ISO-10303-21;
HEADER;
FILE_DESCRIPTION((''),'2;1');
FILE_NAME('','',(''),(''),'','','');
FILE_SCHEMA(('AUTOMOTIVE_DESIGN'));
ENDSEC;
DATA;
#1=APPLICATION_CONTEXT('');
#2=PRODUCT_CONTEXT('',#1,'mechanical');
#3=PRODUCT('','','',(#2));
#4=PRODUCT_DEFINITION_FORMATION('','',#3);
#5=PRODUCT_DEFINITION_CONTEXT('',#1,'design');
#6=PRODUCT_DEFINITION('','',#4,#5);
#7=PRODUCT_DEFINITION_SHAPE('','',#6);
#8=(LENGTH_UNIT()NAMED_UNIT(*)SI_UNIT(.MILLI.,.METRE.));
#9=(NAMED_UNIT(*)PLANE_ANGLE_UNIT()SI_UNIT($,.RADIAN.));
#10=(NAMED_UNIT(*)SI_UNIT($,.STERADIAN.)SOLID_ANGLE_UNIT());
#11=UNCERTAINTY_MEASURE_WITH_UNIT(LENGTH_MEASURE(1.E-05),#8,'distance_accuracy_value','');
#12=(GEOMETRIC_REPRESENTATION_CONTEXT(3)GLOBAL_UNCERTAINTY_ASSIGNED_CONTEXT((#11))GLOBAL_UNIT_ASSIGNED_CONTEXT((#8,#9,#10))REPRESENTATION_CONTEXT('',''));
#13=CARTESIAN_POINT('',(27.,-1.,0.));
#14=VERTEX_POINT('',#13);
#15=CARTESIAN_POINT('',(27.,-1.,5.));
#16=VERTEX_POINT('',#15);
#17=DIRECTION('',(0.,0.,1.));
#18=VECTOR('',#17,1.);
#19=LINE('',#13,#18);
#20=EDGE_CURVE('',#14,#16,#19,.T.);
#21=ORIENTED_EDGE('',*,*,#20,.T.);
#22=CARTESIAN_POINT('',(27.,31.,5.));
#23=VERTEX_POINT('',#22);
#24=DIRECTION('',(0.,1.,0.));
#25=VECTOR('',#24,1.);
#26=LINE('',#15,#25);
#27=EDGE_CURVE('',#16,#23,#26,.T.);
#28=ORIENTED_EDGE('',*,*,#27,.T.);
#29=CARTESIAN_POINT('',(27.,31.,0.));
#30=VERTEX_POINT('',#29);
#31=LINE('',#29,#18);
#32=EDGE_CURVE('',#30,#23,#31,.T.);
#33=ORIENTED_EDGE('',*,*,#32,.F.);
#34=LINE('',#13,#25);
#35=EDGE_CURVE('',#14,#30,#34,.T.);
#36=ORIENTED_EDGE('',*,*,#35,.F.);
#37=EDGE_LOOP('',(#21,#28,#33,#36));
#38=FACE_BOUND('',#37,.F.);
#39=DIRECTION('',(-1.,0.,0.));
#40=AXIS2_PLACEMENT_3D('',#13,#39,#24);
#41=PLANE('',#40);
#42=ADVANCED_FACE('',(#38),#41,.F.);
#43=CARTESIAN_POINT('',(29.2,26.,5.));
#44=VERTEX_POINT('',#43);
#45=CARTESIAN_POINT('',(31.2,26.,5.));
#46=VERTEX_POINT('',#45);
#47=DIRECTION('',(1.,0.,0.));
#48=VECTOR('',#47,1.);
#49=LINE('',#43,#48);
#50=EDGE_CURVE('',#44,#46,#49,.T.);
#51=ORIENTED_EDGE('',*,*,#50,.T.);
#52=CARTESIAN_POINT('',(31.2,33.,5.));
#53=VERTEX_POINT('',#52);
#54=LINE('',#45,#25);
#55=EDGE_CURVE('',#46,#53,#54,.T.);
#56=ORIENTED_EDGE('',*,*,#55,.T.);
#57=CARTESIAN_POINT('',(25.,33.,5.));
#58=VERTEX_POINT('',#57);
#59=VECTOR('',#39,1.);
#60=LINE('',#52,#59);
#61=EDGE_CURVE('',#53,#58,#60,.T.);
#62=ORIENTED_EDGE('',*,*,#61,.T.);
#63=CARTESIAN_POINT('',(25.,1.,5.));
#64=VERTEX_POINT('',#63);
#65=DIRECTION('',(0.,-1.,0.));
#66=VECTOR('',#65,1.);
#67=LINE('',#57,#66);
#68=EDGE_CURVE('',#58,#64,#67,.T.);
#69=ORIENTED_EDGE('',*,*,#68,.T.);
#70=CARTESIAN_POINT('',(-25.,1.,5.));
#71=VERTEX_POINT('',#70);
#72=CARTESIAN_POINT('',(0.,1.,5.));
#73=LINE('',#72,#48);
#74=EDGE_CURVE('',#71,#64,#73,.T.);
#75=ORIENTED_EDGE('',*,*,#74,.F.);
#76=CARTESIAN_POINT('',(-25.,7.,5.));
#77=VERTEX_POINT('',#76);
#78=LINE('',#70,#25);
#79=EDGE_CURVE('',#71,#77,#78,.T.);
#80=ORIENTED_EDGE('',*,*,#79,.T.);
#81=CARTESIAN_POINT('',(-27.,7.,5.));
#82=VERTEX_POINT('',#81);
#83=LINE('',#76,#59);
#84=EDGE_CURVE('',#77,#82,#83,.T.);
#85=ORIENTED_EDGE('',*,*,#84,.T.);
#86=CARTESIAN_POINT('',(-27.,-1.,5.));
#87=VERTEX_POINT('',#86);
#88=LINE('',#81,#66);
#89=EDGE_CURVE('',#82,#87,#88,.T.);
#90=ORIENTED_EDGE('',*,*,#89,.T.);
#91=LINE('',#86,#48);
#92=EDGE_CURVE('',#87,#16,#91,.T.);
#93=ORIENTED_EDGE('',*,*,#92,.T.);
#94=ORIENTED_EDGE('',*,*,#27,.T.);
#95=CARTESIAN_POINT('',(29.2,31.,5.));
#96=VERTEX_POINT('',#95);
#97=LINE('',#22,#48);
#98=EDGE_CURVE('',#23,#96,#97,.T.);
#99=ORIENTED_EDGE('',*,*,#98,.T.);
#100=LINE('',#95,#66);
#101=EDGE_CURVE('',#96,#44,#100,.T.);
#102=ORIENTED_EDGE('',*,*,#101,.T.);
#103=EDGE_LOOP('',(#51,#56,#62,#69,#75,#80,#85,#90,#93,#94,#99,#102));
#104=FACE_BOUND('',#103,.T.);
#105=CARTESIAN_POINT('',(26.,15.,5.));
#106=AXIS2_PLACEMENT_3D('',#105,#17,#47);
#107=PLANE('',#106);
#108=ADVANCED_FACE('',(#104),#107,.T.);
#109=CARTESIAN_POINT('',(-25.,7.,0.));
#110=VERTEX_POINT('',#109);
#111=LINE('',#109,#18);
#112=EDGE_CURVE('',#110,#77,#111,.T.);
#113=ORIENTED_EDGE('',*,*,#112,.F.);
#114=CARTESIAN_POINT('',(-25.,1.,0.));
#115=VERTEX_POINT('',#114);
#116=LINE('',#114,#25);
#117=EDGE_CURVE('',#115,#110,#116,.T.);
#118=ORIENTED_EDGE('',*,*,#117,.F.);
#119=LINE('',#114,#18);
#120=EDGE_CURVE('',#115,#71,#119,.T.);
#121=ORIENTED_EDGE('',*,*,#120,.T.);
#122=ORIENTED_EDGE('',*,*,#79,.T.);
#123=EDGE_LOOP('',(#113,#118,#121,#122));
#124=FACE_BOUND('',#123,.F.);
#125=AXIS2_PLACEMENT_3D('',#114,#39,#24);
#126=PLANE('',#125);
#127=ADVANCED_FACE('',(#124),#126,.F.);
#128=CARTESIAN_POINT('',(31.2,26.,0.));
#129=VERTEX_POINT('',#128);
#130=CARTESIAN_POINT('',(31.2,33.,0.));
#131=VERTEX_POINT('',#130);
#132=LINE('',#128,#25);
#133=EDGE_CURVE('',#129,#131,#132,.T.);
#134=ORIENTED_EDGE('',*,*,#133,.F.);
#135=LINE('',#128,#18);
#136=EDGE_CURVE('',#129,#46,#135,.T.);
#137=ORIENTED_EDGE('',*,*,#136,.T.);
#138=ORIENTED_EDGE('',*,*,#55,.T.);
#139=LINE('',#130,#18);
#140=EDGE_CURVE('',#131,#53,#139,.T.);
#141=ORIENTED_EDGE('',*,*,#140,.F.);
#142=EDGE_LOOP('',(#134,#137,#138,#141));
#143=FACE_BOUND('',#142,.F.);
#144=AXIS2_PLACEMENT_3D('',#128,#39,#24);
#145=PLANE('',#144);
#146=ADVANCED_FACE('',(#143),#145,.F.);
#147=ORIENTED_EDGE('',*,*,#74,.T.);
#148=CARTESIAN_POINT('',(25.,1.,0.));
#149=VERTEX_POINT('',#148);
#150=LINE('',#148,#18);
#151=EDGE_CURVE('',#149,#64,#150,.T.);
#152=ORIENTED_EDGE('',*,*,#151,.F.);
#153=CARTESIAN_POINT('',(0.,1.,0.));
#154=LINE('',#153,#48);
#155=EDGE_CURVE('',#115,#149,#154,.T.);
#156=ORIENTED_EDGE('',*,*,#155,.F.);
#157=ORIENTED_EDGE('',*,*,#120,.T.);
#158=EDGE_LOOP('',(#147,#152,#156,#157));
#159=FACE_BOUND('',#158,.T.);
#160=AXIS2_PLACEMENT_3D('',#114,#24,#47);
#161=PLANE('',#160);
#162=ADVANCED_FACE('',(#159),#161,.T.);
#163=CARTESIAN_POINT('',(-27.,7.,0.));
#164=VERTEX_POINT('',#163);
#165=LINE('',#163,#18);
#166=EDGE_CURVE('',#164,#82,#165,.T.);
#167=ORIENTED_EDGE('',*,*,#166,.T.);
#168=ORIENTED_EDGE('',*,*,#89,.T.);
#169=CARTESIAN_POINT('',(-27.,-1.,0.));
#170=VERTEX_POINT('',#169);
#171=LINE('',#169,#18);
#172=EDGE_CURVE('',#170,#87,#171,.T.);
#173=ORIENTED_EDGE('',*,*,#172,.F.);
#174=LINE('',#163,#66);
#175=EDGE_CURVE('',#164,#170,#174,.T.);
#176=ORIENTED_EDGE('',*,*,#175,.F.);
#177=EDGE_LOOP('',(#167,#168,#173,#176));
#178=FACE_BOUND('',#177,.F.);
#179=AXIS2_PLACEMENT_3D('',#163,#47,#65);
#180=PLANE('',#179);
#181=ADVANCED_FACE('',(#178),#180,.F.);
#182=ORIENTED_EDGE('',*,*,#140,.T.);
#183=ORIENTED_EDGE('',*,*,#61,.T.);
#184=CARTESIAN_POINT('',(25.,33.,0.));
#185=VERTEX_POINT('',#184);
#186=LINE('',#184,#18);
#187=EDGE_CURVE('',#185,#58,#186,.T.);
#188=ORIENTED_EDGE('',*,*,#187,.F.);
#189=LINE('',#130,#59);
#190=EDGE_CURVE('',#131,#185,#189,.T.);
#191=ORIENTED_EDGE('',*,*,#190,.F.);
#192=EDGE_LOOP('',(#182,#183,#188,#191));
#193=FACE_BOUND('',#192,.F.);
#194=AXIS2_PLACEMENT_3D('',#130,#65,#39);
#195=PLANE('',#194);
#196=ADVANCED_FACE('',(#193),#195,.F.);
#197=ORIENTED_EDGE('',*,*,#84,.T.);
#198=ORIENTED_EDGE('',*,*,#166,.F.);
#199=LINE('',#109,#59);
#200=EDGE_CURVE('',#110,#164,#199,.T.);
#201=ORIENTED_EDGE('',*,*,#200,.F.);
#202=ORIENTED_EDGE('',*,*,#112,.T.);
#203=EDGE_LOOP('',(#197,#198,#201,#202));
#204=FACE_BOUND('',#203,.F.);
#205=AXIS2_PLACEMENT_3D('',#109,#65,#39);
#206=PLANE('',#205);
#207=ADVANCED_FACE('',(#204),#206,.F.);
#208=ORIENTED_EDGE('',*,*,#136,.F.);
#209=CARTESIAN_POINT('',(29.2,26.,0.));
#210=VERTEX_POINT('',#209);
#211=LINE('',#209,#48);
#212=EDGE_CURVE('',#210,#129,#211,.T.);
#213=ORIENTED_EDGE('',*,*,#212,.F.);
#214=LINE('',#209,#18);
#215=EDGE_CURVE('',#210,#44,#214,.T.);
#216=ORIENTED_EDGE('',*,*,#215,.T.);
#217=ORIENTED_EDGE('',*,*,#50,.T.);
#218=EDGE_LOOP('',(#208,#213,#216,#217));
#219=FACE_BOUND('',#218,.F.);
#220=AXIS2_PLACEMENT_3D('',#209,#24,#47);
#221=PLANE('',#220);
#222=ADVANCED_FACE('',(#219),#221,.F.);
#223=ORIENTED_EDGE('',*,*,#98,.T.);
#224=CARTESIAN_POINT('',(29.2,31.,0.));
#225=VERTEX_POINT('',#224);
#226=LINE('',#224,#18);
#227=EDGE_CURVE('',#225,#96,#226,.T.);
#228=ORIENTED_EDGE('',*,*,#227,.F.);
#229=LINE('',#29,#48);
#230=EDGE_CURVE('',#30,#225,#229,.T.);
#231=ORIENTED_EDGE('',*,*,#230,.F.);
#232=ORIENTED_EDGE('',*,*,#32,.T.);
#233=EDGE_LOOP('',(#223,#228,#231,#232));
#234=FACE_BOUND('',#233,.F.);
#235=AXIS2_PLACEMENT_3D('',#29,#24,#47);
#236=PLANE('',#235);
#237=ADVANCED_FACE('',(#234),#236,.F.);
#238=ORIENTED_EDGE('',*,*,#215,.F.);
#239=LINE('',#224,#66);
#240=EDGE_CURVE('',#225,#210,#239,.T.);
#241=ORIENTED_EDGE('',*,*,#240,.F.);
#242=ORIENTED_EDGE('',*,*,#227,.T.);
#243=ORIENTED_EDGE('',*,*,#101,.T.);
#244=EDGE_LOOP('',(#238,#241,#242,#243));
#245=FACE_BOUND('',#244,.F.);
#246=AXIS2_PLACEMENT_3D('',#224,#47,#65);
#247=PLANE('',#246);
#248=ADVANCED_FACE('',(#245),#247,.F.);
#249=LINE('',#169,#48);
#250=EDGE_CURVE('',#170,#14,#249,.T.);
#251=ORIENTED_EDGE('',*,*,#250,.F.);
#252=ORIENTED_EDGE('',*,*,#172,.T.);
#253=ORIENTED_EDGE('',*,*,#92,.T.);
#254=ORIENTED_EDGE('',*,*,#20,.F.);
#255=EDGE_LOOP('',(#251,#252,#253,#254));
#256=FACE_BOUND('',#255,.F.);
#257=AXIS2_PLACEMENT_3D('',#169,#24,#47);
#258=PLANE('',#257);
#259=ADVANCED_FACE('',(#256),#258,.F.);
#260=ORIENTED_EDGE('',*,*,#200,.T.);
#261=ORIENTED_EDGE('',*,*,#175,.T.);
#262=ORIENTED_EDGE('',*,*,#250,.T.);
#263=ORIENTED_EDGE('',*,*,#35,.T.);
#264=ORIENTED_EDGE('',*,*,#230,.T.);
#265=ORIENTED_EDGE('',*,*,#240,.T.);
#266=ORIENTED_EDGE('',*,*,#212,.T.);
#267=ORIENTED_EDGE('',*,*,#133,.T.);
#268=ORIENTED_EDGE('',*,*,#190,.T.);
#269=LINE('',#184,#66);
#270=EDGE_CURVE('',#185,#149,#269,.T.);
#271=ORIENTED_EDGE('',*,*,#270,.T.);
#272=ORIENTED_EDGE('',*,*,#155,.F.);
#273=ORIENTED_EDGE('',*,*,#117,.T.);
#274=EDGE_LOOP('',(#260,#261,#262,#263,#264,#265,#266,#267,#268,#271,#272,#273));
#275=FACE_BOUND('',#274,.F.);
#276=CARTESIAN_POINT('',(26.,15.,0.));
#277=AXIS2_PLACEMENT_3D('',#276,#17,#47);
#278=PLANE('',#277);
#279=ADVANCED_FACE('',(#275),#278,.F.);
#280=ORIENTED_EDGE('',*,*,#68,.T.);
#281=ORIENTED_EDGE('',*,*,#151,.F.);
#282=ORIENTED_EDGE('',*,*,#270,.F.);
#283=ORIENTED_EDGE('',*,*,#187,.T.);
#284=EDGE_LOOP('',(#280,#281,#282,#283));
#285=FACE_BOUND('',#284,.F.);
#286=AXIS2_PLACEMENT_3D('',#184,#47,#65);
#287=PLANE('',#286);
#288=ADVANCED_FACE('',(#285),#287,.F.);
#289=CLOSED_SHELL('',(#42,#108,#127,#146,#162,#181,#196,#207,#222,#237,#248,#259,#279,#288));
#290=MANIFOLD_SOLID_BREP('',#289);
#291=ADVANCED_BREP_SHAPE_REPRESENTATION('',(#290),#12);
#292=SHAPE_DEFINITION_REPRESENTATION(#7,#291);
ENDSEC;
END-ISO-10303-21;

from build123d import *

# Parameters (mm, degrees)
F0_W     = 50
F0_H     = 2
F1_DEPTH = 5


with BuildPart() as f1:
    # F0 (on Top) → F1 (new body)
    with BuildSketch(Plane.XY):
        Polygon((25, 1), (25, -1), (27, -1), (27, 31), (25, 31), align=None)
        Rectangle(F0_W, F0_H)
        Polygon((-27, -1), (-25, -1), (-25, 1), (-25, 7), (-27, 7), align=None)
        Polygon((25, 31), (27, 31), (29.2, 31), (29.2, 26), (31.2, 26), (31.2, 31), (31.2, 33), (25, 33), align=None)
    extrude(amount=F1_DEPTH)


solid = f1.part
